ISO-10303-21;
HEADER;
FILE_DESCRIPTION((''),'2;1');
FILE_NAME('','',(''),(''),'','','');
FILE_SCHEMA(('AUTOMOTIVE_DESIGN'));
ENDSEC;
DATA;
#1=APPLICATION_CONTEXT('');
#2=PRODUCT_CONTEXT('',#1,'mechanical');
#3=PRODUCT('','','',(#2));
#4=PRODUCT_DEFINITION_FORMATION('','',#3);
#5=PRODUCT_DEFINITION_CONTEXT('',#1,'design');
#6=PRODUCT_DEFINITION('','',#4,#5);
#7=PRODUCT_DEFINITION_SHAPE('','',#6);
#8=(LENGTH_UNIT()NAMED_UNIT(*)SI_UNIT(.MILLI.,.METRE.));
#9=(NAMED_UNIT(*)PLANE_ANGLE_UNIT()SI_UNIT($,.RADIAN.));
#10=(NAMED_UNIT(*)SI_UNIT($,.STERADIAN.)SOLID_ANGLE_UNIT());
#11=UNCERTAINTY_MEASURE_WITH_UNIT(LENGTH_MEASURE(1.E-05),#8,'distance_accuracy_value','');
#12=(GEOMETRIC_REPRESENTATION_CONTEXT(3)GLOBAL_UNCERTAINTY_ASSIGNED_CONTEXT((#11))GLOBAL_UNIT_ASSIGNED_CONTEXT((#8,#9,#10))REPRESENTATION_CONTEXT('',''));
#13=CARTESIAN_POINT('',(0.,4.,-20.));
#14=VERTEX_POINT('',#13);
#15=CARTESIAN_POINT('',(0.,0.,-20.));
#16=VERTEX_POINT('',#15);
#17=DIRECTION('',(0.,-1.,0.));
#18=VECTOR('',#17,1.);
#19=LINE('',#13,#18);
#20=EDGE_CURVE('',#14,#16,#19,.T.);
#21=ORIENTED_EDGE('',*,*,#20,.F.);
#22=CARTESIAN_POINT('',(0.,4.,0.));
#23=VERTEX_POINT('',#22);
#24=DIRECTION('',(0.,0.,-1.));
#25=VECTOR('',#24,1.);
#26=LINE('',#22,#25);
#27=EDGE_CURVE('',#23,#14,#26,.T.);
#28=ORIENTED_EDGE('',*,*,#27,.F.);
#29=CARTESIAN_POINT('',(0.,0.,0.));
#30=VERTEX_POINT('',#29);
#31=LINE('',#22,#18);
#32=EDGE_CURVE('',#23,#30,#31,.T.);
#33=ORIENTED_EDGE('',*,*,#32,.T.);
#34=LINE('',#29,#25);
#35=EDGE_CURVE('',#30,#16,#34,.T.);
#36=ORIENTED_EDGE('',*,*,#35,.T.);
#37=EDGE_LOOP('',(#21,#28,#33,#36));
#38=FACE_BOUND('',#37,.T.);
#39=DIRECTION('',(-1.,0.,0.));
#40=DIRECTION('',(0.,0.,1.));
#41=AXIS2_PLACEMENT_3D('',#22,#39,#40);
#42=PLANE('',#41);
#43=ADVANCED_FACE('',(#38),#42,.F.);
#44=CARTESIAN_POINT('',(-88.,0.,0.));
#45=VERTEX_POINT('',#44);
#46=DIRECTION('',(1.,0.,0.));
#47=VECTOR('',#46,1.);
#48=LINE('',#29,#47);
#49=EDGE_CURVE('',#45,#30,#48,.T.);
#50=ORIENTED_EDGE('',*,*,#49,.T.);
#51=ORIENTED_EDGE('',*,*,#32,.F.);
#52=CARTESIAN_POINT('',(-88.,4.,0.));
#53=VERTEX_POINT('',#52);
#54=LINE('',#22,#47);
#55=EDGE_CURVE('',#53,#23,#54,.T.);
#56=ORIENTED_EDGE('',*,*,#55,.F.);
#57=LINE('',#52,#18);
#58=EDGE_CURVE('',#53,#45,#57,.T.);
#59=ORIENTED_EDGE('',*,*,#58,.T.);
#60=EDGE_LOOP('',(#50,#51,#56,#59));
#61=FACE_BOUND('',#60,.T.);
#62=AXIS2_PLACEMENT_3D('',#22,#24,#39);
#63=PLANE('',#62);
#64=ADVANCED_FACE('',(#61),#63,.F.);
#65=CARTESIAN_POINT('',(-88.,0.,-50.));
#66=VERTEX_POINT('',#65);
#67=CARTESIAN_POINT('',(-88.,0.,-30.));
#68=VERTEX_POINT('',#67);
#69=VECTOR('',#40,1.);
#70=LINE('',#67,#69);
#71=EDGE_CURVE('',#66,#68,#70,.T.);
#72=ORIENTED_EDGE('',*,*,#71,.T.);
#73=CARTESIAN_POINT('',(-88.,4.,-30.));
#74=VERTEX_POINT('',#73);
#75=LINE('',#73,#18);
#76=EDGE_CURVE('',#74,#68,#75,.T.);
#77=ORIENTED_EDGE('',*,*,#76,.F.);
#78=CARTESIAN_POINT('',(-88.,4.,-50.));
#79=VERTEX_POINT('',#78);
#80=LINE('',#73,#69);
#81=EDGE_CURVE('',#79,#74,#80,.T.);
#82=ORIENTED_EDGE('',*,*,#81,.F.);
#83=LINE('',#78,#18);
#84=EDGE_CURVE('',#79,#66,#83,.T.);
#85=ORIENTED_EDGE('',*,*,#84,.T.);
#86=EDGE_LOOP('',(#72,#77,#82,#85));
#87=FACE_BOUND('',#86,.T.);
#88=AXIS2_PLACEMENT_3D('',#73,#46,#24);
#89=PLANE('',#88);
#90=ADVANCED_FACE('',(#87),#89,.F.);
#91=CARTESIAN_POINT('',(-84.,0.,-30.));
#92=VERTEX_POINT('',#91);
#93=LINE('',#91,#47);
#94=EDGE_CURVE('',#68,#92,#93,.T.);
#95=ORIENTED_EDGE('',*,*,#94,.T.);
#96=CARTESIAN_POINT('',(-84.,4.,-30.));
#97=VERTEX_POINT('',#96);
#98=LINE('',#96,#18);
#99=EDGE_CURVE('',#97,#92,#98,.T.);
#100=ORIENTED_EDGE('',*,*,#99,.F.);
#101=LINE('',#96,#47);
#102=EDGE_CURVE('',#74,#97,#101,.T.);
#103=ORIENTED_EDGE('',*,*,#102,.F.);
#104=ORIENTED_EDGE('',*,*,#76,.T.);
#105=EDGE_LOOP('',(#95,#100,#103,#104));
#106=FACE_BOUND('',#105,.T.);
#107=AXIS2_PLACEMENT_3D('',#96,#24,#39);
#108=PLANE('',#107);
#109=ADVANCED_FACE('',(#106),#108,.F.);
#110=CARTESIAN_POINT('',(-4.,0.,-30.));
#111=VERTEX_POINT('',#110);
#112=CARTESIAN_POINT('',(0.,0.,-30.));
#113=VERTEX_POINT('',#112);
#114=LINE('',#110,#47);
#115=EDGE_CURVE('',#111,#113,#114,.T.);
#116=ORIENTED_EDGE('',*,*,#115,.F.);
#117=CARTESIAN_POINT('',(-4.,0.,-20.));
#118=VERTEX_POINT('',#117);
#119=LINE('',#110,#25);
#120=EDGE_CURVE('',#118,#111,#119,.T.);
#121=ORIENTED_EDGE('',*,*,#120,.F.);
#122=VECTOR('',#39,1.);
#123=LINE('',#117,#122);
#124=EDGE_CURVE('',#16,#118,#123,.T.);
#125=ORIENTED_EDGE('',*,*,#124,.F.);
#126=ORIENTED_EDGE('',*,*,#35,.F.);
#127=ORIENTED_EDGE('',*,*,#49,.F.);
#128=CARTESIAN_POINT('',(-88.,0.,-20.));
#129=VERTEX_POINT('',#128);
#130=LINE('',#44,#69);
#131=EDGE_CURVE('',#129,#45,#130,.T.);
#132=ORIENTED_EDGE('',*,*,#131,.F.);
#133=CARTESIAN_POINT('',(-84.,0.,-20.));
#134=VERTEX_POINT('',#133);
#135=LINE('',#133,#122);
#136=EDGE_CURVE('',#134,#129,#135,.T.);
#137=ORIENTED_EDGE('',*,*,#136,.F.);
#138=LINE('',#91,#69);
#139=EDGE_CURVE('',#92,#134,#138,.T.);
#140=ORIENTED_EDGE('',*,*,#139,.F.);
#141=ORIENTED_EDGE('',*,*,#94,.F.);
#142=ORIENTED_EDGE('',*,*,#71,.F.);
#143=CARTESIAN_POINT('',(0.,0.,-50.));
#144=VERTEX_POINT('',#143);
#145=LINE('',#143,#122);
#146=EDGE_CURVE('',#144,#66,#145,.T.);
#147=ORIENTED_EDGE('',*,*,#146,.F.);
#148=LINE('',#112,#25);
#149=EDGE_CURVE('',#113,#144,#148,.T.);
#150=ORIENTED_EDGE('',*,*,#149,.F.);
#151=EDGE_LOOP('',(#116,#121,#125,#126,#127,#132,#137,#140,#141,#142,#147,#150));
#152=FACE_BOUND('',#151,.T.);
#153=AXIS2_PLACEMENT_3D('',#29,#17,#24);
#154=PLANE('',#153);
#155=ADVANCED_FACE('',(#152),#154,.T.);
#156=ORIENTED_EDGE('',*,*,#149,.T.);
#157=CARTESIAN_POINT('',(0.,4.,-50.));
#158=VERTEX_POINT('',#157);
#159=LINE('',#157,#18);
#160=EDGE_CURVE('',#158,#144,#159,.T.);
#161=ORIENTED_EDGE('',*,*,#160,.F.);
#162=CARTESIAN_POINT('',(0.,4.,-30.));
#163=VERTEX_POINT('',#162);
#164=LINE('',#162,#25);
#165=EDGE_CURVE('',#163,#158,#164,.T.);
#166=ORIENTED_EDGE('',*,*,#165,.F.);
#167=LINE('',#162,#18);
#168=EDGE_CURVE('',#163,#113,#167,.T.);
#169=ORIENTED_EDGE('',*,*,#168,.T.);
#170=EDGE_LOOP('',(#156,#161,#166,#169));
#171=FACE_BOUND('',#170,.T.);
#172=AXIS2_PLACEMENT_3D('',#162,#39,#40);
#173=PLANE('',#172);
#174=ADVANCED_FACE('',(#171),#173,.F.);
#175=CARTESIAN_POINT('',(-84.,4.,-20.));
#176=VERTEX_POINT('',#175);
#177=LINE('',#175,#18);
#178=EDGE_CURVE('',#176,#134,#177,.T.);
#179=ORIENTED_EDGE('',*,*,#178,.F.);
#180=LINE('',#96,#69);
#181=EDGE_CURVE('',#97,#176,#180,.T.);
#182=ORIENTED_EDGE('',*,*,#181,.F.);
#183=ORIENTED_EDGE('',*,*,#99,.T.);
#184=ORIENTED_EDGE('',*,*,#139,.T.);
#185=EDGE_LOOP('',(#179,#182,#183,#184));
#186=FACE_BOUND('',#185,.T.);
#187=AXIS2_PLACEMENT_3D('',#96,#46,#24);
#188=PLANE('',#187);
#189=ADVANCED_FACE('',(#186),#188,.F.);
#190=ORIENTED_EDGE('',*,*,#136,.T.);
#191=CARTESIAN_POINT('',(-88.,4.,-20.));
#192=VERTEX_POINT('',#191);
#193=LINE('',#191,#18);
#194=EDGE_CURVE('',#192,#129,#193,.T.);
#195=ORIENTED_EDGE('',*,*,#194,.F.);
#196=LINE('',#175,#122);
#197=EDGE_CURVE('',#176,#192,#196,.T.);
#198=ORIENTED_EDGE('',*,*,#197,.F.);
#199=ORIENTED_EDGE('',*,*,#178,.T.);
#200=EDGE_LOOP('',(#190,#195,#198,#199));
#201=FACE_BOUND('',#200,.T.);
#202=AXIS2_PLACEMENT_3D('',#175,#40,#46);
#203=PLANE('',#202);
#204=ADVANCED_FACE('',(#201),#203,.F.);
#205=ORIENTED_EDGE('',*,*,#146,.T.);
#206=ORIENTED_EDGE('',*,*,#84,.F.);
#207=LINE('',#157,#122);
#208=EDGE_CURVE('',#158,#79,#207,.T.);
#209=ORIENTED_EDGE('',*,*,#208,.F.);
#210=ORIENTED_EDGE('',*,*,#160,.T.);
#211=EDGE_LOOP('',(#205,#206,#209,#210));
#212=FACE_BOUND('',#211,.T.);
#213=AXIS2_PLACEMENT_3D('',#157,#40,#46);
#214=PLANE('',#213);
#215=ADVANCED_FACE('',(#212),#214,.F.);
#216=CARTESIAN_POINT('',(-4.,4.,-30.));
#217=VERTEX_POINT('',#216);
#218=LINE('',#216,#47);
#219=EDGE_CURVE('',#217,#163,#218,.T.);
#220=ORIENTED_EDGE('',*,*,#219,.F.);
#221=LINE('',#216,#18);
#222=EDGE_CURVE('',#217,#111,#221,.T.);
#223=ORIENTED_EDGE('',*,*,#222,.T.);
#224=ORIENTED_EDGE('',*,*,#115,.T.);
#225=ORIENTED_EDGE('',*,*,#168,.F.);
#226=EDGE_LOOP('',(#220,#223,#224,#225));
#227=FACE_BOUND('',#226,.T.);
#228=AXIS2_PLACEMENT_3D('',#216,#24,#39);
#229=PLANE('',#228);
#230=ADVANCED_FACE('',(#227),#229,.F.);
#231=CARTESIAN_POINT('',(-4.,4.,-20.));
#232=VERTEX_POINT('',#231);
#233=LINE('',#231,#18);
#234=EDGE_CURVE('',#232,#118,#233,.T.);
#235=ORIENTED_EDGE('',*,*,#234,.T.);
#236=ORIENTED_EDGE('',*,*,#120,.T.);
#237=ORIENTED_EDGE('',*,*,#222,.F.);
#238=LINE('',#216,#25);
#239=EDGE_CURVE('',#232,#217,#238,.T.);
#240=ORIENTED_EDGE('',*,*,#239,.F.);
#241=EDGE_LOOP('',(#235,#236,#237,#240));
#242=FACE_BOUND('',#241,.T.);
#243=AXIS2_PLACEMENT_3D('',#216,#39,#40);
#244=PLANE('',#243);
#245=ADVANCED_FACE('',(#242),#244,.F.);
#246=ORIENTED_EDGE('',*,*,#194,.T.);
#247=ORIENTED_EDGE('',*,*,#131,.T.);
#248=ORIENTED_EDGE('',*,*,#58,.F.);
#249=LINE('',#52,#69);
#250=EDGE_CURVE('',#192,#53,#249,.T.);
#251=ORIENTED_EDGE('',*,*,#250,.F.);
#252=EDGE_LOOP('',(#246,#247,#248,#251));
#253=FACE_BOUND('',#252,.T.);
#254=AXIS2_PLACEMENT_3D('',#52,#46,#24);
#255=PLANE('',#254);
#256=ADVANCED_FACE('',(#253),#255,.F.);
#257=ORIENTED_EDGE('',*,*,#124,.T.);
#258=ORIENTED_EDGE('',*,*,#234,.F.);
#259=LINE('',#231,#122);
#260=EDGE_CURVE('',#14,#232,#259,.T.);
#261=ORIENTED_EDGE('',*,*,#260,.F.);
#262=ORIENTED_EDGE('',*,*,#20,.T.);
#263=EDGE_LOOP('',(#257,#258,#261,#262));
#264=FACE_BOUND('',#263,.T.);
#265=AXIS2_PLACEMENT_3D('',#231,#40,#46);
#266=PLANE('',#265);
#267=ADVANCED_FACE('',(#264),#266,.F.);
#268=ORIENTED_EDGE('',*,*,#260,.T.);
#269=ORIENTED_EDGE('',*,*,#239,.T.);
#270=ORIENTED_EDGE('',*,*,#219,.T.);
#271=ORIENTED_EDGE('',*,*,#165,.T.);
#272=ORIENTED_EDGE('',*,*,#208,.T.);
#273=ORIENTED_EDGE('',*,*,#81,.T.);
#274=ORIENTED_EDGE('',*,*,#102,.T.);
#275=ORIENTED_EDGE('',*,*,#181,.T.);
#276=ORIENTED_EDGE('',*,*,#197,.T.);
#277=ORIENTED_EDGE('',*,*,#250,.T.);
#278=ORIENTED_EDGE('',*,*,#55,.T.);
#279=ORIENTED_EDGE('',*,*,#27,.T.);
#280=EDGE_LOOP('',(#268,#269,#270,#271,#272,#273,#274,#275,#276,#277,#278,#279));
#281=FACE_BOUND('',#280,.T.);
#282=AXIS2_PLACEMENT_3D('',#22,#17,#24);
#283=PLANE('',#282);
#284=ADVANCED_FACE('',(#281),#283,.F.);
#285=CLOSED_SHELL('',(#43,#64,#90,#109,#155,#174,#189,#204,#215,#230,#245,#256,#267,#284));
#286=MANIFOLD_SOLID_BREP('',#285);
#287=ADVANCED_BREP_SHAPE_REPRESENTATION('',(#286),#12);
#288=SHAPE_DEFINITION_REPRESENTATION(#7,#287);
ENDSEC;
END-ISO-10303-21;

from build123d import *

# Parameters (mm, degrees)
BOSS_EXTRU_1_DEPTH = 4


with BuildPart() as part:
    # Esquisse1 → Boss.-Extru.1 (new body)
    with BuildSketch(Plane(origin=(0, 0, 0), x_dir=(1, 0, 0), z_dir=(0, 1, 0))):
        Polygon((-88, 30), (-88, 50), (0, 50), (0, 30), (-4, 30), (-4, 20), (0, 20), (0, 0), (-88, 0), (-88, 20), (-84, 20), (-84, 30), align=None)
    extrude(amount=BOSS_EXTRU_1_DEPTH)


solid = part.part
